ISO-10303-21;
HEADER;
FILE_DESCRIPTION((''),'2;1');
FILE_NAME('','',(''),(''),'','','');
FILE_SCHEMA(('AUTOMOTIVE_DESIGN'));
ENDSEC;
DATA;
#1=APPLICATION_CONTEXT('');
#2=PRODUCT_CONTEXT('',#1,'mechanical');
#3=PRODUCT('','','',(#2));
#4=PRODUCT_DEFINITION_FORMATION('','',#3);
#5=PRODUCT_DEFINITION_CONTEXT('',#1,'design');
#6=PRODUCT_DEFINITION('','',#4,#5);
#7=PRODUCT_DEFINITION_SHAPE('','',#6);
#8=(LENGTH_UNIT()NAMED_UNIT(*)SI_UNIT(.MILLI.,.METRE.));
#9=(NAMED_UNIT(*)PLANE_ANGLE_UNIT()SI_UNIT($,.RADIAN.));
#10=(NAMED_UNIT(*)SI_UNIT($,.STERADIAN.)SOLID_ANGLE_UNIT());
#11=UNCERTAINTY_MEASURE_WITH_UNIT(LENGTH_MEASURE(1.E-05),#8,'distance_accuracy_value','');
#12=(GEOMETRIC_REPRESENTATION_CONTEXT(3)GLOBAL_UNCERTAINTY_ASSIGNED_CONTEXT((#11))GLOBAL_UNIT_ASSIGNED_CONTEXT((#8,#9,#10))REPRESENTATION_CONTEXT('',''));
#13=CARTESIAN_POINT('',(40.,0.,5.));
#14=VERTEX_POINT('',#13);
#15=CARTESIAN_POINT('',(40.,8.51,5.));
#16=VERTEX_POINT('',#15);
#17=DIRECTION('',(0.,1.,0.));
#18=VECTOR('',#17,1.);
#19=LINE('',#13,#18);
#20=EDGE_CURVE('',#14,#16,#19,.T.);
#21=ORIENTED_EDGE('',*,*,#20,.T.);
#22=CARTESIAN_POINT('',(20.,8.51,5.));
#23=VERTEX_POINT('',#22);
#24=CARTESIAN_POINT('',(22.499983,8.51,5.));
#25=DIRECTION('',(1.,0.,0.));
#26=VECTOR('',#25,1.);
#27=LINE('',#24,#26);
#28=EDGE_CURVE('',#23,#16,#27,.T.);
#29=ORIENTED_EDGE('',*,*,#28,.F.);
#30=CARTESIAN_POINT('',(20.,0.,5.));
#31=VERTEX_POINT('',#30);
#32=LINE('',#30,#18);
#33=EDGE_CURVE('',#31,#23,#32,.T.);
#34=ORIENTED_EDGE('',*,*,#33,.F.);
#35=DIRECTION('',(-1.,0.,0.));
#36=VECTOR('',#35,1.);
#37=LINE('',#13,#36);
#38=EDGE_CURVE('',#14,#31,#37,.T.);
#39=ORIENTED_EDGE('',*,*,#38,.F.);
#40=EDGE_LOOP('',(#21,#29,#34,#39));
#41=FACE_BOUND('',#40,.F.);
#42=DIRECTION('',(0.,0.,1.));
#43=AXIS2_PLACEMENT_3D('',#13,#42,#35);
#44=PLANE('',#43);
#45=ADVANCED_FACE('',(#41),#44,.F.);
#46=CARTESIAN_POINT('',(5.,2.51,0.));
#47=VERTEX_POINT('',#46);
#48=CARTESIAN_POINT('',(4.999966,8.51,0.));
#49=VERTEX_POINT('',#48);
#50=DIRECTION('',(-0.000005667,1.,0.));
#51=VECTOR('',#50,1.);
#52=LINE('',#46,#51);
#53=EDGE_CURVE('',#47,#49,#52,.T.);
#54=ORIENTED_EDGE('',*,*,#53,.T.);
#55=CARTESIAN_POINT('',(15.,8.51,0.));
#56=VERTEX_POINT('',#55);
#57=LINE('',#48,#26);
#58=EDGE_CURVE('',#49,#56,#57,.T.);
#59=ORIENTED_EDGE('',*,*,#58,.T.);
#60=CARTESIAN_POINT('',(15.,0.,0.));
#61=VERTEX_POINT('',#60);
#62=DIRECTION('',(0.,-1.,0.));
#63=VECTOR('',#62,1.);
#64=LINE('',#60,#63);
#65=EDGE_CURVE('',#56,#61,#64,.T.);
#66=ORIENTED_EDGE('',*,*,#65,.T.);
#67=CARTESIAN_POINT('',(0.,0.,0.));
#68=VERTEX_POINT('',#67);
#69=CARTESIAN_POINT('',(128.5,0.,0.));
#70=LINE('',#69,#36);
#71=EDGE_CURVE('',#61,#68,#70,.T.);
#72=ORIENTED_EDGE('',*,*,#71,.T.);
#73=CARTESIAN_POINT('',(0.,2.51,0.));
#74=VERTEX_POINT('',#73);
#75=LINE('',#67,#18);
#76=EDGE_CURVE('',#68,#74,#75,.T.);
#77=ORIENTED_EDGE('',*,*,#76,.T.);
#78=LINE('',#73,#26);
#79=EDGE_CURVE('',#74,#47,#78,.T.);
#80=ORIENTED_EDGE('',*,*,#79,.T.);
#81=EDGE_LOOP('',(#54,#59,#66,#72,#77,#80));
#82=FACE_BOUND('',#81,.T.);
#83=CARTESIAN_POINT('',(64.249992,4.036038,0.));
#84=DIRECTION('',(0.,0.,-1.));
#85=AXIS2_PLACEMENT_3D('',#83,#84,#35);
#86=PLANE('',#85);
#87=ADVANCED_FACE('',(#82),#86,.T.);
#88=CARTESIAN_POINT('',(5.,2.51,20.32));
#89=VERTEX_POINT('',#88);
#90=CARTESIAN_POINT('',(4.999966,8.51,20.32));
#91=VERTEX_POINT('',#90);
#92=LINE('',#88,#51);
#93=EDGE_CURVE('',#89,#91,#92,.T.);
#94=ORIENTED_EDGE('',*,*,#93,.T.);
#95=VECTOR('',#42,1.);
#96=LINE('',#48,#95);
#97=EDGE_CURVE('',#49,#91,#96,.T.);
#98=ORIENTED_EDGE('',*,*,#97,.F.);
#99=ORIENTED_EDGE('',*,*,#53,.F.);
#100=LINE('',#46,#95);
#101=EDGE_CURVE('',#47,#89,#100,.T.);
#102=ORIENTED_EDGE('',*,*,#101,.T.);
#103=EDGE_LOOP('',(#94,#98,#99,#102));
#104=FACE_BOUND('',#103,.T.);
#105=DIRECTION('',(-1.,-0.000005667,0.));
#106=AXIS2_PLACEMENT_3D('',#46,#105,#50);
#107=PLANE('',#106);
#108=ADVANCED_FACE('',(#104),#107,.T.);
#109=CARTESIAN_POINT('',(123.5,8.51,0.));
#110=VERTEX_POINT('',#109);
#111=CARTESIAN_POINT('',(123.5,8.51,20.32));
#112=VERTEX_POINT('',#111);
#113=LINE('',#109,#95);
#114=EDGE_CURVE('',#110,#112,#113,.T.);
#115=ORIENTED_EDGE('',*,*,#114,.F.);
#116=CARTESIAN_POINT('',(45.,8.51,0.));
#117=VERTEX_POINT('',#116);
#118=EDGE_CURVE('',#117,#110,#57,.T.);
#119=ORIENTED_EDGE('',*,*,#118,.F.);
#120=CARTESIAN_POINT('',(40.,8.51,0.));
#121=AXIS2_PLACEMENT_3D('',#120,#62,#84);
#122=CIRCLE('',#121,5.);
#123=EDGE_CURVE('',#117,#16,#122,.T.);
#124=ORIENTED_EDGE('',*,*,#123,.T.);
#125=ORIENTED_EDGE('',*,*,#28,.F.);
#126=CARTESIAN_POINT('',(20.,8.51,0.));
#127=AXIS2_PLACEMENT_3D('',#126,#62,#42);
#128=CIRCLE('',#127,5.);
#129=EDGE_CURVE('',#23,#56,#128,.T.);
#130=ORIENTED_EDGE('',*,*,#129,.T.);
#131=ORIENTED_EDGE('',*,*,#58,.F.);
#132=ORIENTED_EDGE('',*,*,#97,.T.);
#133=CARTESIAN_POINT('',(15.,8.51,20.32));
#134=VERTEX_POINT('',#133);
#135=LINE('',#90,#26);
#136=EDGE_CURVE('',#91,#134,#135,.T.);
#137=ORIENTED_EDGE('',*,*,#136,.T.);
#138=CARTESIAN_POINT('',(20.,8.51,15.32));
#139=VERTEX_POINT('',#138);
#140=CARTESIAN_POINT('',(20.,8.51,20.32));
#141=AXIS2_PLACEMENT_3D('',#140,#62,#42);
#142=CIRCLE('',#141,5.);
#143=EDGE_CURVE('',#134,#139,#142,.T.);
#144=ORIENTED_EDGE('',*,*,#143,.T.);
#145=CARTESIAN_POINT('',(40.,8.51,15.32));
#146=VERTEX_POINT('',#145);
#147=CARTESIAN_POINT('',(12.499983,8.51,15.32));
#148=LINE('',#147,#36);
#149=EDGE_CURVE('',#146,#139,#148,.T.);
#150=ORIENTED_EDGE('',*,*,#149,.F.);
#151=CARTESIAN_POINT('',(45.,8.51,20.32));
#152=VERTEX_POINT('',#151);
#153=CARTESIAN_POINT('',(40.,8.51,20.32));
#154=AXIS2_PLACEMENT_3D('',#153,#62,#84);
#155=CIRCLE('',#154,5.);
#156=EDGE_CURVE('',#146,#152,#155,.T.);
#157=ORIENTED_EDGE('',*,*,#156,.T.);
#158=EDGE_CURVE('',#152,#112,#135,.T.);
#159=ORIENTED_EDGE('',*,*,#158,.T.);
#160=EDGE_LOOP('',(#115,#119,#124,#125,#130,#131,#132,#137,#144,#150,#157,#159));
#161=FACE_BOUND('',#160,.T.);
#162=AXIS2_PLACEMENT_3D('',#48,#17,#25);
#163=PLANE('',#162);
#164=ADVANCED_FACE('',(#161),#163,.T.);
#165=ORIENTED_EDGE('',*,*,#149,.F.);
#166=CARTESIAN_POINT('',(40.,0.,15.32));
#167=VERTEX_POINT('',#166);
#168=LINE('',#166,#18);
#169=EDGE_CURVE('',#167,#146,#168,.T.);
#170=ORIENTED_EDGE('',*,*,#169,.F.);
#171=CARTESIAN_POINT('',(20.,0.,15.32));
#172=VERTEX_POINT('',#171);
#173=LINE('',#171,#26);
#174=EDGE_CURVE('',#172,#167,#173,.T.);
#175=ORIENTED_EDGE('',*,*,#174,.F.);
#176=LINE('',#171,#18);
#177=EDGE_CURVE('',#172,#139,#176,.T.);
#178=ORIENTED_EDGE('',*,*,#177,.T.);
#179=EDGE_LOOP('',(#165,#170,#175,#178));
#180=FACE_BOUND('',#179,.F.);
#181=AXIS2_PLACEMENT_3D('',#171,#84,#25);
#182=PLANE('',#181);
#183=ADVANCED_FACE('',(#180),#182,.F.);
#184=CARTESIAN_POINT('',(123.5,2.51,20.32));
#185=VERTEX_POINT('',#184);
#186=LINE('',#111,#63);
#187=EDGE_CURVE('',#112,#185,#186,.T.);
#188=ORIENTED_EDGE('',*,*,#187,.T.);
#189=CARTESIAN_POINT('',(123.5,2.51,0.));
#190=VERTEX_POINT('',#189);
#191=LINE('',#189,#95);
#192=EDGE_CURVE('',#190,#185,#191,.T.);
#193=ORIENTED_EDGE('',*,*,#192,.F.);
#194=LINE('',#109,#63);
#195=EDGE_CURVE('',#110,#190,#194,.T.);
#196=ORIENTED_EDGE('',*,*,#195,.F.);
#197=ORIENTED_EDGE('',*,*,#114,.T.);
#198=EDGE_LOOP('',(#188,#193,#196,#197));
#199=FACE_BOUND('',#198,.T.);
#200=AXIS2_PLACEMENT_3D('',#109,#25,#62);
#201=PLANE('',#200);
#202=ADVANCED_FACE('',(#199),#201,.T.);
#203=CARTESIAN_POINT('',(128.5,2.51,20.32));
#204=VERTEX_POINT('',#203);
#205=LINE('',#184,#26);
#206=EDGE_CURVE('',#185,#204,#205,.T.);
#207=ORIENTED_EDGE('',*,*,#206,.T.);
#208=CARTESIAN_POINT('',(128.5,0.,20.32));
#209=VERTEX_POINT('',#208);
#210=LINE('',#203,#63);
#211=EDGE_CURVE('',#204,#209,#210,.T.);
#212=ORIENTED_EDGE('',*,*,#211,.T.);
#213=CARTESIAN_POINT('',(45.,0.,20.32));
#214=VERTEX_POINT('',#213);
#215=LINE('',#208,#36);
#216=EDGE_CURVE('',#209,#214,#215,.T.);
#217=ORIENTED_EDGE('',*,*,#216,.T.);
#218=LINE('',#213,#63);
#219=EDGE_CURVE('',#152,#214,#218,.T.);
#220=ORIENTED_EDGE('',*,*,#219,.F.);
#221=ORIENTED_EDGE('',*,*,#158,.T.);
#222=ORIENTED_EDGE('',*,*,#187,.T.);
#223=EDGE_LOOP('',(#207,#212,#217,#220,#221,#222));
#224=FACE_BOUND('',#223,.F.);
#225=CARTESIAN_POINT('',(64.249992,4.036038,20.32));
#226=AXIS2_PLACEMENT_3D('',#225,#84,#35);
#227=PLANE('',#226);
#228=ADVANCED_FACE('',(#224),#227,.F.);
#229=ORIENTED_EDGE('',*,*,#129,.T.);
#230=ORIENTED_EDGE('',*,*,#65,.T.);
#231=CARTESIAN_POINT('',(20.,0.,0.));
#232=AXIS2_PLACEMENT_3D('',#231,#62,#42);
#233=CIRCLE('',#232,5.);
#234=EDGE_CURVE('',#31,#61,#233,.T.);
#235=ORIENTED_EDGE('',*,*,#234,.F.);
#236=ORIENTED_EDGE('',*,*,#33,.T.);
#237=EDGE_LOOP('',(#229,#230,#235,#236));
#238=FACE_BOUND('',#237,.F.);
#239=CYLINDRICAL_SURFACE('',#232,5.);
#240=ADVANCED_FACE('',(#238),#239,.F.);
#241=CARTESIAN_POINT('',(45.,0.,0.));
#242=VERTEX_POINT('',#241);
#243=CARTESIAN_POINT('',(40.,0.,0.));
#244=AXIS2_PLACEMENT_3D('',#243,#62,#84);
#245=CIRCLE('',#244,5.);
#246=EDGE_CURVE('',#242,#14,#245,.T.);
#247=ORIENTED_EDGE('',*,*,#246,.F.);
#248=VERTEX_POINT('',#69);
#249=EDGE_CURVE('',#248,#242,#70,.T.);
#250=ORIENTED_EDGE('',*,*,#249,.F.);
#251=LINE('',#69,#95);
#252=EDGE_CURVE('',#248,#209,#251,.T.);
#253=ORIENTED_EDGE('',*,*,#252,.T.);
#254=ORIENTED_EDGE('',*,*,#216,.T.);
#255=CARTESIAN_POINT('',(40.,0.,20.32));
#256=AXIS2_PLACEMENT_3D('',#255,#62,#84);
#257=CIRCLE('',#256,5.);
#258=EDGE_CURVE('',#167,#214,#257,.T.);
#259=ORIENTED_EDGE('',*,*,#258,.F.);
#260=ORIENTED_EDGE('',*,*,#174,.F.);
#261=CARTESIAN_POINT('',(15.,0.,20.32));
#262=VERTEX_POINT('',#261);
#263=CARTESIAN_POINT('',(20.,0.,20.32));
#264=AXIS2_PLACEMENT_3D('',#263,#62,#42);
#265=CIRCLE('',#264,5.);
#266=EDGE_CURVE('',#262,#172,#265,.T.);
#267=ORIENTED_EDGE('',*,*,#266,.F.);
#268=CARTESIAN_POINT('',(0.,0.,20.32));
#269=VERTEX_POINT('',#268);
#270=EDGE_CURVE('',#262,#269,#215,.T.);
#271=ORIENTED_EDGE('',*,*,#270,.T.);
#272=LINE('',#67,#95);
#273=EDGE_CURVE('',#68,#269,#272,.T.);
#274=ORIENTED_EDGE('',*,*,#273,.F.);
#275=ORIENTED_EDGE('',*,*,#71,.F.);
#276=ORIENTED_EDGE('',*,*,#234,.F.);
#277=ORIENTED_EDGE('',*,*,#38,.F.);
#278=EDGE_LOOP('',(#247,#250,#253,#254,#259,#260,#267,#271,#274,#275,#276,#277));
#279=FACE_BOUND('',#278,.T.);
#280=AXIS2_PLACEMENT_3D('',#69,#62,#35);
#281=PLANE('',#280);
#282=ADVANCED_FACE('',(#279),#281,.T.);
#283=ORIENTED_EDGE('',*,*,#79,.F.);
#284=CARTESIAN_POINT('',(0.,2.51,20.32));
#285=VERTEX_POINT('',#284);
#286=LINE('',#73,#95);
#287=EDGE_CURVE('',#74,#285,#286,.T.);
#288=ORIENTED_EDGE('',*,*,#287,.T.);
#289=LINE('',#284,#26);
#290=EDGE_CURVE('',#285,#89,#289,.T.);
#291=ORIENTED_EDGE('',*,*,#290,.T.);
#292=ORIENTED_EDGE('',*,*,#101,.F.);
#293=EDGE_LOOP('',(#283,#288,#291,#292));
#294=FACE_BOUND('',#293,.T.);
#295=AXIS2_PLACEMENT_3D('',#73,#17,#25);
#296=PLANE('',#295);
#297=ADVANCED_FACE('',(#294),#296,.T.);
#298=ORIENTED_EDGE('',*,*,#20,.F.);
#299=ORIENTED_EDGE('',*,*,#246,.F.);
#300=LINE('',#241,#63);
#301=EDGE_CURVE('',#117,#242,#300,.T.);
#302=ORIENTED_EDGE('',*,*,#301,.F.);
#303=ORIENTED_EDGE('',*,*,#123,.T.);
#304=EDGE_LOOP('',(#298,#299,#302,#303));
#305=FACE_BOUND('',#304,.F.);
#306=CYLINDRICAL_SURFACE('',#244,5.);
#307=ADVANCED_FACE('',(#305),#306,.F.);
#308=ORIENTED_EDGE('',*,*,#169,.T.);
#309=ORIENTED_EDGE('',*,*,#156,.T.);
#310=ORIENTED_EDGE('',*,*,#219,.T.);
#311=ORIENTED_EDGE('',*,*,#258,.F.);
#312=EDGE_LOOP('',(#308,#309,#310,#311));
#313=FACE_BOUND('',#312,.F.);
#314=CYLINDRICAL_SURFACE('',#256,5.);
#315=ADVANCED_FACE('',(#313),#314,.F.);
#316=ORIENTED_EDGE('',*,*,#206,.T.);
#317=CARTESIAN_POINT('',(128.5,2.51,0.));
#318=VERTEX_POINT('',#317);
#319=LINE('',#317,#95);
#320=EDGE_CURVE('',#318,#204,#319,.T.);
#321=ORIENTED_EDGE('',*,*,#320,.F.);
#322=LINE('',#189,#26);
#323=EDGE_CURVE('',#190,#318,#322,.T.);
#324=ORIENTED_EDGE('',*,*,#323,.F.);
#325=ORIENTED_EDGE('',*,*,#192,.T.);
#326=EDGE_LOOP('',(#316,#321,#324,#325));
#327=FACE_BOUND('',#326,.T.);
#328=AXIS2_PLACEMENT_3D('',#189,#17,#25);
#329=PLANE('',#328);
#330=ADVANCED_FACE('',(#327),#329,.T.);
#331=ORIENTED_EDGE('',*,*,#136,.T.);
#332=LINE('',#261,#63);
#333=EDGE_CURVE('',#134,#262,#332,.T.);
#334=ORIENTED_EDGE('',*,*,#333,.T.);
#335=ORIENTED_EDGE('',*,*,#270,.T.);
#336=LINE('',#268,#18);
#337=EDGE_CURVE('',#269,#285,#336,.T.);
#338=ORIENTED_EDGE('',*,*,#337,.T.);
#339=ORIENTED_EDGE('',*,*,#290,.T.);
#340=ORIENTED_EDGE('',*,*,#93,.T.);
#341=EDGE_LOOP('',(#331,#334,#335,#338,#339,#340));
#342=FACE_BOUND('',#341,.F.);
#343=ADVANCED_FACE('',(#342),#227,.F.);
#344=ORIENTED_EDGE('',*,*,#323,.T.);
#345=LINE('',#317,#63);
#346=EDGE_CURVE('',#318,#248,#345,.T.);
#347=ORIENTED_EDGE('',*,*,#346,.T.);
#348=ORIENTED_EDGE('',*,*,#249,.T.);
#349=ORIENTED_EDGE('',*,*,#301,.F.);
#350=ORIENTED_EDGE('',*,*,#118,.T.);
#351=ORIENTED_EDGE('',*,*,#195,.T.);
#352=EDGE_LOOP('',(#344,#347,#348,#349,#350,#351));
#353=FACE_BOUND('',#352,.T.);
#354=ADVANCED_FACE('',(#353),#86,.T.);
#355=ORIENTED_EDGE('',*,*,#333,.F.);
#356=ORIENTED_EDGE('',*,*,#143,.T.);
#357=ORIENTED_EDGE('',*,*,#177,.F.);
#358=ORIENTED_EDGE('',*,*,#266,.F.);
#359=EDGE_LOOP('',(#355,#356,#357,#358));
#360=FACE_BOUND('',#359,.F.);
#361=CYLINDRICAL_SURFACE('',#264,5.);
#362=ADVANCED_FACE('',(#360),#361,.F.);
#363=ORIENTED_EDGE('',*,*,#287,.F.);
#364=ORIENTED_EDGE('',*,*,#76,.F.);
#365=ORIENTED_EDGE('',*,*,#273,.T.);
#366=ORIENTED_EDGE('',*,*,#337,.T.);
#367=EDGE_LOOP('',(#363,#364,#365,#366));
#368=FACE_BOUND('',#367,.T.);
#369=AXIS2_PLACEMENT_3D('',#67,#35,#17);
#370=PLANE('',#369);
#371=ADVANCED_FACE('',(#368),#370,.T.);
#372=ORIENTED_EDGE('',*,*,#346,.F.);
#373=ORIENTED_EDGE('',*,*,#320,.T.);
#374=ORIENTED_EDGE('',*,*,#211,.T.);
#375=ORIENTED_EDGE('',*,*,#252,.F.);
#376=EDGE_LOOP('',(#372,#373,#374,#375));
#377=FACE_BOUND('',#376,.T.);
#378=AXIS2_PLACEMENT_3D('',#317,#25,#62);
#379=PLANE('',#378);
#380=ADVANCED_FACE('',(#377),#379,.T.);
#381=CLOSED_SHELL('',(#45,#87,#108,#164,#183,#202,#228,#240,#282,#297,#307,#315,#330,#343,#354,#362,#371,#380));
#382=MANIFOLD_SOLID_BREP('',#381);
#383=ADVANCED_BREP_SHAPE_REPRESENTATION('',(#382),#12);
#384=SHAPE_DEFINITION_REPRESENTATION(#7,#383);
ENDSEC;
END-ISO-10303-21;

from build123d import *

# Parameters (mm, degrees)
PAD_DEPTH    = 20.32
POCKET_DEPTH = 21


with BuildPart() as part:
    # Sketch → Pad (new body)
    with BuildSketch(Plane.XY):
        Polygon((0, 0), (0, 2.51), (5, 2.51), (4.999966, 8.51), (123.5, 8.51), (123.5, 2.51), (128.5, 2.51), (128.5, 0), align=None)
    extrude(amount=PAD_DEPTH)

    # Sketch002 → Pocket (cut)
    with BuildSketch(Plane.XZ):
        with BuildLine():
            ThreePointArc((20, 5), (15, 0), (20, -5))
            Line((20, -5), (40, -5))
            ThreePointArc((40, -5), (45, 0), (40, 5))
            Line((40, 5), (20, 5))
        make_face()
        with BuildLine():
            ThreePointArc((20, 25.32), (15, 20.32), (20, 15.32))
            Line((20, 15.32), (40, 15.32))
            ThreePointArc((40, 15.32), (45, 20.32), (40, 25.32))
            Line((40, 25.32), (20, 25.32))
        make_face()
    extrude(amount=-POCKET_DEPTH, mode=Mode.SUBTRACT)


solid = part.part
